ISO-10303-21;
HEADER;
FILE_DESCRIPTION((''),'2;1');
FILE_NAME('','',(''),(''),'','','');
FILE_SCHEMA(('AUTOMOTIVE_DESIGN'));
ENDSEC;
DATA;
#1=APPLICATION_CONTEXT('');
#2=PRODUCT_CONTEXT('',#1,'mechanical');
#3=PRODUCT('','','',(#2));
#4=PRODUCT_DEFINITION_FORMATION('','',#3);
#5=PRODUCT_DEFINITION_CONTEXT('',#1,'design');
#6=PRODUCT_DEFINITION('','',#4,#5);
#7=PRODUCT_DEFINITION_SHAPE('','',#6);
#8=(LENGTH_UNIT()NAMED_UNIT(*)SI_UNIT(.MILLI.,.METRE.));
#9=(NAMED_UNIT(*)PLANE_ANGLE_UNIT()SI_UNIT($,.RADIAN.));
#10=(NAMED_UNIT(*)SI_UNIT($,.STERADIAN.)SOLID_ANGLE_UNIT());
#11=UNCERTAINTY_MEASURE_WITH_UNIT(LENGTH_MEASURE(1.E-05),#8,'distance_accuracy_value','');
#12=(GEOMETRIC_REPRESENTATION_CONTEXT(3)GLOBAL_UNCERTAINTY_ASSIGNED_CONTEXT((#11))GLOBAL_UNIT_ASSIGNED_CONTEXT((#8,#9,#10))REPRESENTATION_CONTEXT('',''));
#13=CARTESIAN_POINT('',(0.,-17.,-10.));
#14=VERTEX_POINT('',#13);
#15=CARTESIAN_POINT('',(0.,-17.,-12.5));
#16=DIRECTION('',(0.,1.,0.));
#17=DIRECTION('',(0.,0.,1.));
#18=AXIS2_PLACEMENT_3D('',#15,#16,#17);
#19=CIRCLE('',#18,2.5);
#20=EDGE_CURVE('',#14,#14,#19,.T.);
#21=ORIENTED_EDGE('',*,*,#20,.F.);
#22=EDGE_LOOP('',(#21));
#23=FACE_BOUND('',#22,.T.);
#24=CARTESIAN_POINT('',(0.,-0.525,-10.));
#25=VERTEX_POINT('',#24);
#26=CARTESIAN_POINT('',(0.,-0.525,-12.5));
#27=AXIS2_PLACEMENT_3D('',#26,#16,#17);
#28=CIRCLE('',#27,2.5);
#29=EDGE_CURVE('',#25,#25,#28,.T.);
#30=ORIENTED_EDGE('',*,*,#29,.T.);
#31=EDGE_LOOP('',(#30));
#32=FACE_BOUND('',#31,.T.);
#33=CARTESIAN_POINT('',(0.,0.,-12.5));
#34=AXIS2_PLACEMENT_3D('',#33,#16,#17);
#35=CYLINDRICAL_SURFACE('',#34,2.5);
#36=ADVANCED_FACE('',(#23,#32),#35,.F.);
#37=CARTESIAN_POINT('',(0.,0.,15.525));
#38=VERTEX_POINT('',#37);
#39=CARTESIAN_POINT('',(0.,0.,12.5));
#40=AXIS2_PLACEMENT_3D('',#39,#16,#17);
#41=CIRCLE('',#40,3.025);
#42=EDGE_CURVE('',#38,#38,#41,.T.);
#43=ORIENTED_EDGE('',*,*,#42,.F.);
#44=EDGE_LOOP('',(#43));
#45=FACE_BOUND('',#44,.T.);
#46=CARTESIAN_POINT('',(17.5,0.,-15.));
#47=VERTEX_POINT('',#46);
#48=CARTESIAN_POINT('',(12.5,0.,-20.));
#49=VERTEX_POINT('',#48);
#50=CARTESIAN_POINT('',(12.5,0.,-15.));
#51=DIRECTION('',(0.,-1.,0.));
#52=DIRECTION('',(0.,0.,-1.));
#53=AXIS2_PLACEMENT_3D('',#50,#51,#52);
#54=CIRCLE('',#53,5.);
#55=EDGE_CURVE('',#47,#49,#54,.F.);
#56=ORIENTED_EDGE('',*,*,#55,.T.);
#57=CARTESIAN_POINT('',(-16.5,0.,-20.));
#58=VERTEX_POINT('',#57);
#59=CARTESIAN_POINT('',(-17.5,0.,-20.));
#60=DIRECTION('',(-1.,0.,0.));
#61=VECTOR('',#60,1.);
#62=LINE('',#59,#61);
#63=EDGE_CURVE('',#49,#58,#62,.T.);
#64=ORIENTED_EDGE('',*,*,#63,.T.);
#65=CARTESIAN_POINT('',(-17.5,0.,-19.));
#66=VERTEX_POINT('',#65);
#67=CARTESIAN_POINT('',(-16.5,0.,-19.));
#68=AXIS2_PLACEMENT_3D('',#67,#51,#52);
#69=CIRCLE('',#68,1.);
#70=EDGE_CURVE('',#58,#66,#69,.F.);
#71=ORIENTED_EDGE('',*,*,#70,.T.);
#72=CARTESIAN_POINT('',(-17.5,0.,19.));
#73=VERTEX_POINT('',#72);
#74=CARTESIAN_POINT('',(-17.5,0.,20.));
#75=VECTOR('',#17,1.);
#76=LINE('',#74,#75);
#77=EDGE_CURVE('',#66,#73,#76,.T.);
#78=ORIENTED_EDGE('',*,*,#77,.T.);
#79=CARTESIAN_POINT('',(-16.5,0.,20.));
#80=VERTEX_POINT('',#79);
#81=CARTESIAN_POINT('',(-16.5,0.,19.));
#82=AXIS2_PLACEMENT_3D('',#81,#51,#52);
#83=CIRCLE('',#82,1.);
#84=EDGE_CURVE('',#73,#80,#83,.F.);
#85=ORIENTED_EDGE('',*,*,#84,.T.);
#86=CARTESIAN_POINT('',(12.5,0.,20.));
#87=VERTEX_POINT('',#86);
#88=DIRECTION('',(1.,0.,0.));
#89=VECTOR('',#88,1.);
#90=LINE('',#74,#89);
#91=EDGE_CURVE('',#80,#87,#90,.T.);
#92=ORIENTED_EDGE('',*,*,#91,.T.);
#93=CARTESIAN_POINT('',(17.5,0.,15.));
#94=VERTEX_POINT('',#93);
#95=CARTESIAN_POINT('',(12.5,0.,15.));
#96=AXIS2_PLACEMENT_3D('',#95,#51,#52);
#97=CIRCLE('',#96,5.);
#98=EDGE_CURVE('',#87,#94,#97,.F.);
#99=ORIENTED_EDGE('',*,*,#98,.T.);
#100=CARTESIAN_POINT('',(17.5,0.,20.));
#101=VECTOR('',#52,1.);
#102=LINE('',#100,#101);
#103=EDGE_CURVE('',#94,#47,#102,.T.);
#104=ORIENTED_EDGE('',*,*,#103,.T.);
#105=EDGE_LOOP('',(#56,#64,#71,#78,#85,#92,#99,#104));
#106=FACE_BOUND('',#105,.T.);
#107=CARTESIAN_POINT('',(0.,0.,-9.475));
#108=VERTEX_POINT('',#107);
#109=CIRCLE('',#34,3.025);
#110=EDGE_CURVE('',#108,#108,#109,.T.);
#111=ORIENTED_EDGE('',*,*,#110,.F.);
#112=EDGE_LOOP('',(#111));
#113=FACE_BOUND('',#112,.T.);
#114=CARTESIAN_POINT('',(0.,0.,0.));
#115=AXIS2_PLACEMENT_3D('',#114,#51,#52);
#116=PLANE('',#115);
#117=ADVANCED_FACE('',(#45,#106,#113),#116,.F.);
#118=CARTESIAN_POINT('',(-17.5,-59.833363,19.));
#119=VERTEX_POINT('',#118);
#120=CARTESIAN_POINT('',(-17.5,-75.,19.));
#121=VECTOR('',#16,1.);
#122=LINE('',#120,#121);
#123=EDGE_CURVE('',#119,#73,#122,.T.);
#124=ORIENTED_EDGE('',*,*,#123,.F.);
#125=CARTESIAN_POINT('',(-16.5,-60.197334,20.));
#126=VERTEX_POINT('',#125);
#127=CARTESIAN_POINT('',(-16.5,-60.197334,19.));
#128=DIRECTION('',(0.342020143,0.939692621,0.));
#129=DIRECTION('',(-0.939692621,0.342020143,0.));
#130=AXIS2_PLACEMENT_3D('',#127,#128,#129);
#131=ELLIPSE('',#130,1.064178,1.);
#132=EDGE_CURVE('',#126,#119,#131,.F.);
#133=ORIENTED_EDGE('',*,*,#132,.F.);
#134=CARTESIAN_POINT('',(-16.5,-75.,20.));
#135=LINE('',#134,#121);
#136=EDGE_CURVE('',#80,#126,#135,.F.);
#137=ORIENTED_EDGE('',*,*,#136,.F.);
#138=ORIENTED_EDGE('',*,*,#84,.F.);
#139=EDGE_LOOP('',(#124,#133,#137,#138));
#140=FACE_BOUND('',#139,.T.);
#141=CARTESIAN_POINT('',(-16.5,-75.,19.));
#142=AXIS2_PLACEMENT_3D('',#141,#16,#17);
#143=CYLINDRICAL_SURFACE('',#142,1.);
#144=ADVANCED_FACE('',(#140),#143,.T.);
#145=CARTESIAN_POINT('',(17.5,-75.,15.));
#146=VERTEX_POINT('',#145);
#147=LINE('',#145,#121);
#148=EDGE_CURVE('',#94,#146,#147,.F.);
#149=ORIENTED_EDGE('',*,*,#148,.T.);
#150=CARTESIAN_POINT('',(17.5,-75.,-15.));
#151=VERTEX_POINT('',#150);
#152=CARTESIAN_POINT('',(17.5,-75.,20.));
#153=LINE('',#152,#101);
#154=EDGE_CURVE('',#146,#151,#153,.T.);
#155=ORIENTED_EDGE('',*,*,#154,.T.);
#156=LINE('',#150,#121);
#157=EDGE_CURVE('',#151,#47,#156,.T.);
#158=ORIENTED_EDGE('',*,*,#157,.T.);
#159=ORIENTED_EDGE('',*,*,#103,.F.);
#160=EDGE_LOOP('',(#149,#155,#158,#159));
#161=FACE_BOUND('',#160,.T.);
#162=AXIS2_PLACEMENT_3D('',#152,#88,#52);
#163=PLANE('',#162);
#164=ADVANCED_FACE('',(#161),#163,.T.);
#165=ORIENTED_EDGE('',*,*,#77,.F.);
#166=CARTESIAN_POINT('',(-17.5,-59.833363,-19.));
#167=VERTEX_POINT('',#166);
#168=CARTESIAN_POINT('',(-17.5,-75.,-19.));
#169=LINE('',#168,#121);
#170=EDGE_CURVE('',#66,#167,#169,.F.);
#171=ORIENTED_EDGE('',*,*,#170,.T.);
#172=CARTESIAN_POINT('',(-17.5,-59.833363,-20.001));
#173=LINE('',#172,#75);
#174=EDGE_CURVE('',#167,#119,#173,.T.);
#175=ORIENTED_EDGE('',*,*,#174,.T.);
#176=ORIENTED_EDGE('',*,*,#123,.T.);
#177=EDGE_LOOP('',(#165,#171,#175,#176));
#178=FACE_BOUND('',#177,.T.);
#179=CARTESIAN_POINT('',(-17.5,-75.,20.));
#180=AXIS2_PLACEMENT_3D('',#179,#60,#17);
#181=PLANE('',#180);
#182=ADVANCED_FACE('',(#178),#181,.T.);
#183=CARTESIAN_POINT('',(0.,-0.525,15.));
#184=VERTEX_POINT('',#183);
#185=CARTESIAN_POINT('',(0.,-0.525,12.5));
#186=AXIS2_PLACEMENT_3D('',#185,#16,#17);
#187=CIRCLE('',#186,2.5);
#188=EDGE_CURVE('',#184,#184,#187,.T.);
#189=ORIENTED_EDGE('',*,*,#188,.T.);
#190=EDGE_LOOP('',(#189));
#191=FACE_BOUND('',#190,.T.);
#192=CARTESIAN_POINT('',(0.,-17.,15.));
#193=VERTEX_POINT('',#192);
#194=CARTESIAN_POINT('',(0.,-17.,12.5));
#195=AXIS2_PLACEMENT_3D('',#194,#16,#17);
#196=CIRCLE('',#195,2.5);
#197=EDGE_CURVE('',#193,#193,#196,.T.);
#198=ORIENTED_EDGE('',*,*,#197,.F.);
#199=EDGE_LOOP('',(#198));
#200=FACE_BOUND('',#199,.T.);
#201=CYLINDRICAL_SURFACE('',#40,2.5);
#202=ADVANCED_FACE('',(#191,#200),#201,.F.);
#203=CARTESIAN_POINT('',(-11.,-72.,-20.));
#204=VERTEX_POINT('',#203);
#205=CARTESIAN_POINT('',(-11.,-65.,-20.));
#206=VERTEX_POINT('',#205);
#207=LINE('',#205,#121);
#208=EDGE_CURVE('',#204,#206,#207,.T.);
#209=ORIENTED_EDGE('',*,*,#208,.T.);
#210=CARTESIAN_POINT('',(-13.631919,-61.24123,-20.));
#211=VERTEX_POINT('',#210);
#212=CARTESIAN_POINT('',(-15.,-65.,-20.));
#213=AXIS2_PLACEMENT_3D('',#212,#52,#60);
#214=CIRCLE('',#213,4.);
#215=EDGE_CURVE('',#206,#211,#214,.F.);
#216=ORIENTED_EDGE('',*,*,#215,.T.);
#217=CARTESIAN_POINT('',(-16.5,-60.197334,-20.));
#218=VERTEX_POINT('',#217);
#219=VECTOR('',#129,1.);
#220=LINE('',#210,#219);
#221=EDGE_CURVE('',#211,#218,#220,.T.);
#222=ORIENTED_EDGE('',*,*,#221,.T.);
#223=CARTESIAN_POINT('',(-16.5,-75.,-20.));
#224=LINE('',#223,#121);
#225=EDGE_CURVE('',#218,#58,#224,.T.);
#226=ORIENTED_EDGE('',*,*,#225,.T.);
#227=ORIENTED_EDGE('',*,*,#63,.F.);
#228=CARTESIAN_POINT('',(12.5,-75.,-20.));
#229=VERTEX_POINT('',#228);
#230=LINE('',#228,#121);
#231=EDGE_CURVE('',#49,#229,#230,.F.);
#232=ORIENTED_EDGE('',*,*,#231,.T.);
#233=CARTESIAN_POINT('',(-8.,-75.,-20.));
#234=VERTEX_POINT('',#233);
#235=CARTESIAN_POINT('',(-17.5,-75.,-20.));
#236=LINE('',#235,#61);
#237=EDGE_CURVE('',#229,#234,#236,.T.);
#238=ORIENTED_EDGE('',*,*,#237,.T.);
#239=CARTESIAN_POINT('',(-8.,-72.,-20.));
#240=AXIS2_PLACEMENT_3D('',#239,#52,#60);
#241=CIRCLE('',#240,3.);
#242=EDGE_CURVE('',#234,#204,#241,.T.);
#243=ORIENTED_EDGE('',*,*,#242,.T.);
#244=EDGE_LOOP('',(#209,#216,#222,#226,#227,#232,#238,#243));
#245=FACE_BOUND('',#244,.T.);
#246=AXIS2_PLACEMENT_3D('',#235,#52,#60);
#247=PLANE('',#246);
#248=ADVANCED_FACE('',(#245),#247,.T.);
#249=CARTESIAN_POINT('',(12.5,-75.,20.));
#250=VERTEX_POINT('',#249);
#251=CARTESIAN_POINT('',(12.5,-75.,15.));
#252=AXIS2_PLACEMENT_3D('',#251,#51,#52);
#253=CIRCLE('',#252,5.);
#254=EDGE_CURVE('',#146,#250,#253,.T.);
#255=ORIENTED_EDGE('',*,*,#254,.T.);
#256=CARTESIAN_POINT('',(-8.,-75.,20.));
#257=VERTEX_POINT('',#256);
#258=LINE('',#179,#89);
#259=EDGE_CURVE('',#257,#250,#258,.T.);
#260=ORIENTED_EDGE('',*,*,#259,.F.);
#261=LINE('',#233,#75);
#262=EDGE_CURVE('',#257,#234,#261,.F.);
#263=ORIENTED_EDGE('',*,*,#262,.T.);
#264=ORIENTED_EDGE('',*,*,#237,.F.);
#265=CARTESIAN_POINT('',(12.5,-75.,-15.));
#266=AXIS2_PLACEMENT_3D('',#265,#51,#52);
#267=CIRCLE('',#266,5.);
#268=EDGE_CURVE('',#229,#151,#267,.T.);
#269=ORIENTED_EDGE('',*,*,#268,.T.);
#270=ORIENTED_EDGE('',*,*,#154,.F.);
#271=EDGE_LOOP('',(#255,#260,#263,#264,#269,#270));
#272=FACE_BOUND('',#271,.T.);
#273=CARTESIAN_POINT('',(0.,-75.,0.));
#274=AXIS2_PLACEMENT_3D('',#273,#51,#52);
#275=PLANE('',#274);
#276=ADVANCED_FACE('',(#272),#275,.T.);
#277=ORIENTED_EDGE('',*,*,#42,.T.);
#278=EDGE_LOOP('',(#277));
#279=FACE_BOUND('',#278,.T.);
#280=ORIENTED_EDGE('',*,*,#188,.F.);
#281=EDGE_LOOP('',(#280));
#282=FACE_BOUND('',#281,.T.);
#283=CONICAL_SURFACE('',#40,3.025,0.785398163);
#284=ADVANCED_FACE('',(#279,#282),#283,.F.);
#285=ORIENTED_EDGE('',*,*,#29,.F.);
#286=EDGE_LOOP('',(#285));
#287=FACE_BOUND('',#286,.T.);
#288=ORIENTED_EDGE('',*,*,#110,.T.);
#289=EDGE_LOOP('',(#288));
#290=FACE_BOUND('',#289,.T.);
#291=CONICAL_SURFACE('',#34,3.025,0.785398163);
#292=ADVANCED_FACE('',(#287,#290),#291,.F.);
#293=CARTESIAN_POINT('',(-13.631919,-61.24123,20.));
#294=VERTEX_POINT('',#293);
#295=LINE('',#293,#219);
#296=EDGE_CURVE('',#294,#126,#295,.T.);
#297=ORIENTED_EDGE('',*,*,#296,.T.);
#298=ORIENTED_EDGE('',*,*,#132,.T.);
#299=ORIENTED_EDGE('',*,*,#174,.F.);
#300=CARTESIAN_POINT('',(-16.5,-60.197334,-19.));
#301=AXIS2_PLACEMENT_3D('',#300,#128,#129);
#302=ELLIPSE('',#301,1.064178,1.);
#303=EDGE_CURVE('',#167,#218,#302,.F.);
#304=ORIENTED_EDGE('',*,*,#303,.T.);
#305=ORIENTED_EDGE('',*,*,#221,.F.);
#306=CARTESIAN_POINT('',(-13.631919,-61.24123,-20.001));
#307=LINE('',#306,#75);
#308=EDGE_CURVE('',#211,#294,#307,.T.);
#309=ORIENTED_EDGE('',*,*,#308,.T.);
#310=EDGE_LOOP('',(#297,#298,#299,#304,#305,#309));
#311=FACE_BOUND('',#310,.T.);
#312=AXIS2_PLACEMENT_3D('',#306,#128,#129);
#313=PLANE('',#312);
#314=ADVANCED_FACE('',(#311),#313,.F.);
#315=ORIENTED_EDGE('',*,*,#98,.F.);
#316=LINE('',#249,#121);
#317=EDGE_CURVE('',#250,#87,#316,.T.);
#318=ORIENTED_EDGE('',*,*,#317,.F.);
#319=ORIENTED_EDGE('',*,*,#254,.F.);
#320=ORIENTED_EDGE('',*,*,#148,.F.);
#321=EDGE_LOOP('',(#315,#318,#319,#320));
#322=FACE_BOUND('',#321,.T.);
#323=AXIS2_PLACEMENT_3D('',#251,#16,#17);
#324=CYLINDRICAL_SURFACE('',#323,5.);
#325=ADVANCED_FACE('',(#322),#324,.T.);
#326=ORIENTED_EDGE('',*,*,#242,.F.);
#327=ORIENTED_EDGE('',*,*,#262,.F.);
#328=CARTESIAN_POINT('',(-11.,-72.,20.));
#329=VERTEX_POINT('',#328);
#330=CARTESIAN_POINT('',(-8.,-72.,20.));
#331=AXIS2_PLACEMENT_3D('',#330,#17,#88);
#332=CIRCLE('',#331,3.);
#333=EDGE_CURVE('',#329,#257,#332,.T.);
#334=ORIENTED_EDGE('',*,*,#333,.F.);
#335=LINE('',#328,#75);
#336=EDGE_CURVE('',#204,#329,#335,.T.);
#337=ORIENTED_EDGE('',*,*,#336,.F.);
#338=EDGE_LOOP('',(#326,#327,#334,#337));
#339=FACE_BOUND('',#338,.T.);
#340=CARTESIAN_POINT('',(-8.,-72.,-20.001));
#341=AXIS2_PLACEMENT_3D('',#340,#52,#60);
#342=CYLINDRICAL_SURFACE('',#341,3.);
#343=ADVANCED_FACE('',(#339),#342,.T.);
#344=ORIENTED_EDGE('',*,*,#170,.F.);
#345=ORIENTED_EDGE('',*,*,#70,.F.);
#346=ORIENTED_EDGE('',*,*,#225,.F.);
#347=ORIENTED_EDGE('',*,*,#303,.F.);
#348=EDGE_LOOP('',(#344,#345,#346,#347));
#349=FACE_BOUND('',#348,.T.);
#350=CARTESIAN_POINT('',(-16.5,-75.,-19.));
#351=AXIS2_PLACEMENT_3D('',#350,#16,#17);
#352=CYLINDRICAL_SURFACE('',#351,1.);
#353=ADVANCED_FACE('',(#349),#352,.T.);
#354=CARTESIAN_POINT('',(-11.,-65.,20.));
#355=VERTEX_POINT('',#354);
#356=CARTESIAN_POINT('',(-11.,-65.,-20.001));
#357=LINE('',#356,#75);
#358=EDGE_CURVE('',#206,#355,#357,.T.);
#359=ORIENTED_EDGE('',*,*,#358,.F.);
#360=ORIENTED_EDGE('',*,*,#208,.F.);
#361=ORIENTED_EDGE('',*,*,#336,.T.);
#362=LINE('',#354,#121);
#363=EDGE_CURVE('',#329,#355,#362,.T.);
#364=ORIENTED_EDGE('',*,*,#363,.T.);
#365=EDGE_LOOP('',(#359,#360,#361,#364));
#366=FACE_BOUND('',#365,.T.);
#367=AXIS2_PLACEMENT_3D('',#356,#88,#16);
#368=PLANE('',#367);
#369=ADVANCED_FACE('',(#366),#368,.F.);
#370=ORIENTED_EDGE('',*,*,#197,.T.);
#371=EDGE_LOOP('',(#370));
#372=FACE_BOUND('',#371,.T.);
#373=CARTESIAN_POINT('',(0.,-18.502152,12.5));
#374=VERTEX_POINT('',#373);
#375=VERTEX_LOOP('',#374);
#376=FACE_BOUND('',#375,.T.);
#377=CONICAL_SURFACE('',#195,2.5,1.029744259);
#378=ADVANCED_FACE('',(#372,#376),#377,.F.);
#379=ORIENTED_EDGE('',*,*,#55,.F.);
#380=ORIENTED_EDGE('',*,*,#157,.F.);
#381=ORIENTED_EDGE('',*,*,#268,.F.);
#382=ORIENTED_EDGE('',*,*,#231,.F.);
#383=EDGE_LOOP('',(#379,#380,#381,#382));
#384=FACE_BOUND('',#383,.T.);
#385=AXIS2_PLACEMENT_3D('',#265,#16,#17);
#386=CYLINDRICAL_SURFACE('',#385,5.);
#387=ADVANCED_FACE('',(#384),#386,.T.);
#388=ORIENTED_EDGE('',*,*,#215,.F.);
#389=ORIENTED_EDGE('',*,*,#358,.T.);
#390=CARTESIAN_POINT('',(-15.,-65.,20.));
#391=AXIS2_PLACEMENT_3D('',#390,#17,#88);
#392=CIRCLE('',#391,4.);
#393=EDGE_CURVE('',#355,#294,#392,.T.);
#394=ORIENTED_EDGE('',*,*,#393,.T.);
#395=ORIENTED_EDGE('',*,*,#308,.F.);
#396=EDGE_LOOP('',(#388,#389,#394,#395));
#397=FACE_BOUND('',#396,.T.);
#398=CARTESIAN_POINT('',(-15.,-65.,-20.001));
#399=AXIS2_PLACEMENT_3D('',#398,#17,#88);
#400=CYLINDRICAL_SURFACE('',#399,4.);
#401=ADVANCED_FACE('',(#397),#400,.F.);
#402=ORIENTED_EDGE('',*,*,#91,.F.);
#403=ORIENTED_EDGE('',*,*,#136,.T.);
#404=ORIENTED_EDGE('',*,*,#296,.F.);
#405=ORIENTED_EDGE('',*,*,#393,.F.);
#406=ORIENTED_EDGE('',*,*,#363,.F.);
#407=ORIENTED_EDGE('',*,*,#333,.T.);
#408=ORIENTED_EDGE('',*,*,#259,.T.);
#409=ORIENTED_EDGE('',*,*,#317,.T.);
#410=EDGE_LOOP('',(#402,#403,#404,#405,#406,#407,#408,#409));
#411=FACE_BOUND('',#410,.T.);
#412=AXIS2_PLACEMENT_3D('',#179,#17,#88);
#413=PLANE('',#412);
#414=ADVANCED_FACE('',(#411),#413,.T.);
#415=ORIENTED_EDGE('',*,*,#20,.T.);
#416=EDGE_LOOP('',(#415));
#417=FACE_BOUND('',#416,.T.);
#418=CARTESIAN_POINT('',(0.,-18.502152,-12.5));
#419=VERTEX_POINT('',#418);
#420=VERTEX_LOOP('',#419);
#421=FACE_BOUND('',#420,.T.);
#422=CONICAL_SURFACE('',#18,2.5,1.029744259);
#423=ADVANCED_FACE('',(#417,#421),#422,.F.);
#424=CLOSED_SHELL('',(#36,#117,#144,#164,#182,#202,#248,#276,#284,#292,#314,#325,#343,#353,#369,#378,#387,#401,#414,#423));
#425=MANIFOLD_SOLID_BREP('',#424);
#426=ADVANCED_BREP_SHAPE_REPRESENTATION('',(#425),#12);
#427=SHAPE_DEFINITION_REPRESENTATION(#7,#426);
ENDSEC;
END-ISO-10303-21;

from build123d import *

# Parameters (mm, degrees)
SKETCH1_W                   = 35
SKETCH1_H                   = 40
BOSS_EXTRUDE1_DEPTH         = 75
CUT_EXTRUDE1_REACH          = 88.783
FILLET1_R                   = 3
FILLET2_R                   = 5
M6_TAPPED_HOLE1_D           = 5
M6_TAPPED_HOLE1_DEPTH       = 17
M6_TAPPED_HOLE1_CSINK_D     = 6.05
M6_TAPPED_HOLE1_CSINK_ANGLE = 90
M6_TAPPED_HOLE1_TIP         = 1.502151548
FILLET3_R                   = 1


with BuildPart() as part:
    # Sketch1 → Boss-Extrude1 (new body)
    with BuildSketch(Plane(origin=(0, 0, 0), x_dir=(1, 0, 0), z_dir=(0, 1, 0))):
        Rectangle(SKETCH1_W, SKETCH1_H)
    extrude(amount=-BOSS_EXTRUDE1_DEPTH)

    # Sketch2 → Cut-Extrude1 (cut, up to next)
    with BuildSketch(Plane.XY.offset(20), mode=Mode.PRIVATE) as cut_extrude1_sk1:
        with BuildLine():
            Line((-13.631919427, -61.241229517), (-17.5, -59.833363324))
            Line((-17.5, -59.833363324), (-17.5, -75))
            Line((-17.5, -75), (-11, -75))
            Line((-11, -75), (-11, -65))
            ThreePointArc((-11, -65), (-11.723391823, -62.705694255), (-13.631919427, -61.241229517))
        make_face()
    cut_extrude1_tool1 = extrude(cut_extrude1_sk1.sketch, amount=-CUT_EXTRUDE1_REACH, mode=Mode.PRIVATE) & part.part
    add(cut_extrude1_tool1.solids().sort_by_distance((-14.386052, -68.077717, 20))[0], mode=Mode.SUBTRACT)

    # Fillet1
    fillet1_edges = [part.edges().sort_by_distance(p)[0] for p in [
        (-11, -75, 0),
    ]]
    fillet(fillet1_edges, radius=FILLET1_R)

    # Fillet2
    fillet2_edges = [part.edges().sort_by_distance(p)[0] for p in [
        (17.5, -37.5, 20),
        (17.5, -37.5, -20),
    ]]
    fillet(fillet2_edges, radius=FILLET2_R)

    # M6 Tapped Hole1
    with Locations(Plane(origin=(0, 0, 0), x_dir=(1, 0, 0), z_dir=(0, 1, 0))):
        with Locations((0, 12.5), (0, -12.5)):
            CounterSinkHole(M6_TAPPED_HOLE1_D / 2, M6_TAPPED_HOLE1_CSINK_D / 2, depth=M6_TAPPED_HOLE1_DEPTH, counter_sink_angle=M6_TAPPED_HOLE1_CSINK_ANGLE)
            with Locations((0, 0, -(M6_TAPPED_HOLE1_DEPTH + M6_TAPPED_HOLE1_TIP / 2))):  # 118° drill point
                Cone(0, M6_TAPPED_HOLE1_D / 2, M6_TAPPED_HOLE1_TIP, mode=Mode.SUBTRACT)

    # Fillet3
    fillet3_edges = [part.edges().sort_by_distance(p)[0] for p in [
        (-17.5, -29.916681662, -20),
        (-17.5, -29.916681662, 20),
    ]]
    fillet(fillet3_edges, radius=FILLET3_R)


solid = part.part
